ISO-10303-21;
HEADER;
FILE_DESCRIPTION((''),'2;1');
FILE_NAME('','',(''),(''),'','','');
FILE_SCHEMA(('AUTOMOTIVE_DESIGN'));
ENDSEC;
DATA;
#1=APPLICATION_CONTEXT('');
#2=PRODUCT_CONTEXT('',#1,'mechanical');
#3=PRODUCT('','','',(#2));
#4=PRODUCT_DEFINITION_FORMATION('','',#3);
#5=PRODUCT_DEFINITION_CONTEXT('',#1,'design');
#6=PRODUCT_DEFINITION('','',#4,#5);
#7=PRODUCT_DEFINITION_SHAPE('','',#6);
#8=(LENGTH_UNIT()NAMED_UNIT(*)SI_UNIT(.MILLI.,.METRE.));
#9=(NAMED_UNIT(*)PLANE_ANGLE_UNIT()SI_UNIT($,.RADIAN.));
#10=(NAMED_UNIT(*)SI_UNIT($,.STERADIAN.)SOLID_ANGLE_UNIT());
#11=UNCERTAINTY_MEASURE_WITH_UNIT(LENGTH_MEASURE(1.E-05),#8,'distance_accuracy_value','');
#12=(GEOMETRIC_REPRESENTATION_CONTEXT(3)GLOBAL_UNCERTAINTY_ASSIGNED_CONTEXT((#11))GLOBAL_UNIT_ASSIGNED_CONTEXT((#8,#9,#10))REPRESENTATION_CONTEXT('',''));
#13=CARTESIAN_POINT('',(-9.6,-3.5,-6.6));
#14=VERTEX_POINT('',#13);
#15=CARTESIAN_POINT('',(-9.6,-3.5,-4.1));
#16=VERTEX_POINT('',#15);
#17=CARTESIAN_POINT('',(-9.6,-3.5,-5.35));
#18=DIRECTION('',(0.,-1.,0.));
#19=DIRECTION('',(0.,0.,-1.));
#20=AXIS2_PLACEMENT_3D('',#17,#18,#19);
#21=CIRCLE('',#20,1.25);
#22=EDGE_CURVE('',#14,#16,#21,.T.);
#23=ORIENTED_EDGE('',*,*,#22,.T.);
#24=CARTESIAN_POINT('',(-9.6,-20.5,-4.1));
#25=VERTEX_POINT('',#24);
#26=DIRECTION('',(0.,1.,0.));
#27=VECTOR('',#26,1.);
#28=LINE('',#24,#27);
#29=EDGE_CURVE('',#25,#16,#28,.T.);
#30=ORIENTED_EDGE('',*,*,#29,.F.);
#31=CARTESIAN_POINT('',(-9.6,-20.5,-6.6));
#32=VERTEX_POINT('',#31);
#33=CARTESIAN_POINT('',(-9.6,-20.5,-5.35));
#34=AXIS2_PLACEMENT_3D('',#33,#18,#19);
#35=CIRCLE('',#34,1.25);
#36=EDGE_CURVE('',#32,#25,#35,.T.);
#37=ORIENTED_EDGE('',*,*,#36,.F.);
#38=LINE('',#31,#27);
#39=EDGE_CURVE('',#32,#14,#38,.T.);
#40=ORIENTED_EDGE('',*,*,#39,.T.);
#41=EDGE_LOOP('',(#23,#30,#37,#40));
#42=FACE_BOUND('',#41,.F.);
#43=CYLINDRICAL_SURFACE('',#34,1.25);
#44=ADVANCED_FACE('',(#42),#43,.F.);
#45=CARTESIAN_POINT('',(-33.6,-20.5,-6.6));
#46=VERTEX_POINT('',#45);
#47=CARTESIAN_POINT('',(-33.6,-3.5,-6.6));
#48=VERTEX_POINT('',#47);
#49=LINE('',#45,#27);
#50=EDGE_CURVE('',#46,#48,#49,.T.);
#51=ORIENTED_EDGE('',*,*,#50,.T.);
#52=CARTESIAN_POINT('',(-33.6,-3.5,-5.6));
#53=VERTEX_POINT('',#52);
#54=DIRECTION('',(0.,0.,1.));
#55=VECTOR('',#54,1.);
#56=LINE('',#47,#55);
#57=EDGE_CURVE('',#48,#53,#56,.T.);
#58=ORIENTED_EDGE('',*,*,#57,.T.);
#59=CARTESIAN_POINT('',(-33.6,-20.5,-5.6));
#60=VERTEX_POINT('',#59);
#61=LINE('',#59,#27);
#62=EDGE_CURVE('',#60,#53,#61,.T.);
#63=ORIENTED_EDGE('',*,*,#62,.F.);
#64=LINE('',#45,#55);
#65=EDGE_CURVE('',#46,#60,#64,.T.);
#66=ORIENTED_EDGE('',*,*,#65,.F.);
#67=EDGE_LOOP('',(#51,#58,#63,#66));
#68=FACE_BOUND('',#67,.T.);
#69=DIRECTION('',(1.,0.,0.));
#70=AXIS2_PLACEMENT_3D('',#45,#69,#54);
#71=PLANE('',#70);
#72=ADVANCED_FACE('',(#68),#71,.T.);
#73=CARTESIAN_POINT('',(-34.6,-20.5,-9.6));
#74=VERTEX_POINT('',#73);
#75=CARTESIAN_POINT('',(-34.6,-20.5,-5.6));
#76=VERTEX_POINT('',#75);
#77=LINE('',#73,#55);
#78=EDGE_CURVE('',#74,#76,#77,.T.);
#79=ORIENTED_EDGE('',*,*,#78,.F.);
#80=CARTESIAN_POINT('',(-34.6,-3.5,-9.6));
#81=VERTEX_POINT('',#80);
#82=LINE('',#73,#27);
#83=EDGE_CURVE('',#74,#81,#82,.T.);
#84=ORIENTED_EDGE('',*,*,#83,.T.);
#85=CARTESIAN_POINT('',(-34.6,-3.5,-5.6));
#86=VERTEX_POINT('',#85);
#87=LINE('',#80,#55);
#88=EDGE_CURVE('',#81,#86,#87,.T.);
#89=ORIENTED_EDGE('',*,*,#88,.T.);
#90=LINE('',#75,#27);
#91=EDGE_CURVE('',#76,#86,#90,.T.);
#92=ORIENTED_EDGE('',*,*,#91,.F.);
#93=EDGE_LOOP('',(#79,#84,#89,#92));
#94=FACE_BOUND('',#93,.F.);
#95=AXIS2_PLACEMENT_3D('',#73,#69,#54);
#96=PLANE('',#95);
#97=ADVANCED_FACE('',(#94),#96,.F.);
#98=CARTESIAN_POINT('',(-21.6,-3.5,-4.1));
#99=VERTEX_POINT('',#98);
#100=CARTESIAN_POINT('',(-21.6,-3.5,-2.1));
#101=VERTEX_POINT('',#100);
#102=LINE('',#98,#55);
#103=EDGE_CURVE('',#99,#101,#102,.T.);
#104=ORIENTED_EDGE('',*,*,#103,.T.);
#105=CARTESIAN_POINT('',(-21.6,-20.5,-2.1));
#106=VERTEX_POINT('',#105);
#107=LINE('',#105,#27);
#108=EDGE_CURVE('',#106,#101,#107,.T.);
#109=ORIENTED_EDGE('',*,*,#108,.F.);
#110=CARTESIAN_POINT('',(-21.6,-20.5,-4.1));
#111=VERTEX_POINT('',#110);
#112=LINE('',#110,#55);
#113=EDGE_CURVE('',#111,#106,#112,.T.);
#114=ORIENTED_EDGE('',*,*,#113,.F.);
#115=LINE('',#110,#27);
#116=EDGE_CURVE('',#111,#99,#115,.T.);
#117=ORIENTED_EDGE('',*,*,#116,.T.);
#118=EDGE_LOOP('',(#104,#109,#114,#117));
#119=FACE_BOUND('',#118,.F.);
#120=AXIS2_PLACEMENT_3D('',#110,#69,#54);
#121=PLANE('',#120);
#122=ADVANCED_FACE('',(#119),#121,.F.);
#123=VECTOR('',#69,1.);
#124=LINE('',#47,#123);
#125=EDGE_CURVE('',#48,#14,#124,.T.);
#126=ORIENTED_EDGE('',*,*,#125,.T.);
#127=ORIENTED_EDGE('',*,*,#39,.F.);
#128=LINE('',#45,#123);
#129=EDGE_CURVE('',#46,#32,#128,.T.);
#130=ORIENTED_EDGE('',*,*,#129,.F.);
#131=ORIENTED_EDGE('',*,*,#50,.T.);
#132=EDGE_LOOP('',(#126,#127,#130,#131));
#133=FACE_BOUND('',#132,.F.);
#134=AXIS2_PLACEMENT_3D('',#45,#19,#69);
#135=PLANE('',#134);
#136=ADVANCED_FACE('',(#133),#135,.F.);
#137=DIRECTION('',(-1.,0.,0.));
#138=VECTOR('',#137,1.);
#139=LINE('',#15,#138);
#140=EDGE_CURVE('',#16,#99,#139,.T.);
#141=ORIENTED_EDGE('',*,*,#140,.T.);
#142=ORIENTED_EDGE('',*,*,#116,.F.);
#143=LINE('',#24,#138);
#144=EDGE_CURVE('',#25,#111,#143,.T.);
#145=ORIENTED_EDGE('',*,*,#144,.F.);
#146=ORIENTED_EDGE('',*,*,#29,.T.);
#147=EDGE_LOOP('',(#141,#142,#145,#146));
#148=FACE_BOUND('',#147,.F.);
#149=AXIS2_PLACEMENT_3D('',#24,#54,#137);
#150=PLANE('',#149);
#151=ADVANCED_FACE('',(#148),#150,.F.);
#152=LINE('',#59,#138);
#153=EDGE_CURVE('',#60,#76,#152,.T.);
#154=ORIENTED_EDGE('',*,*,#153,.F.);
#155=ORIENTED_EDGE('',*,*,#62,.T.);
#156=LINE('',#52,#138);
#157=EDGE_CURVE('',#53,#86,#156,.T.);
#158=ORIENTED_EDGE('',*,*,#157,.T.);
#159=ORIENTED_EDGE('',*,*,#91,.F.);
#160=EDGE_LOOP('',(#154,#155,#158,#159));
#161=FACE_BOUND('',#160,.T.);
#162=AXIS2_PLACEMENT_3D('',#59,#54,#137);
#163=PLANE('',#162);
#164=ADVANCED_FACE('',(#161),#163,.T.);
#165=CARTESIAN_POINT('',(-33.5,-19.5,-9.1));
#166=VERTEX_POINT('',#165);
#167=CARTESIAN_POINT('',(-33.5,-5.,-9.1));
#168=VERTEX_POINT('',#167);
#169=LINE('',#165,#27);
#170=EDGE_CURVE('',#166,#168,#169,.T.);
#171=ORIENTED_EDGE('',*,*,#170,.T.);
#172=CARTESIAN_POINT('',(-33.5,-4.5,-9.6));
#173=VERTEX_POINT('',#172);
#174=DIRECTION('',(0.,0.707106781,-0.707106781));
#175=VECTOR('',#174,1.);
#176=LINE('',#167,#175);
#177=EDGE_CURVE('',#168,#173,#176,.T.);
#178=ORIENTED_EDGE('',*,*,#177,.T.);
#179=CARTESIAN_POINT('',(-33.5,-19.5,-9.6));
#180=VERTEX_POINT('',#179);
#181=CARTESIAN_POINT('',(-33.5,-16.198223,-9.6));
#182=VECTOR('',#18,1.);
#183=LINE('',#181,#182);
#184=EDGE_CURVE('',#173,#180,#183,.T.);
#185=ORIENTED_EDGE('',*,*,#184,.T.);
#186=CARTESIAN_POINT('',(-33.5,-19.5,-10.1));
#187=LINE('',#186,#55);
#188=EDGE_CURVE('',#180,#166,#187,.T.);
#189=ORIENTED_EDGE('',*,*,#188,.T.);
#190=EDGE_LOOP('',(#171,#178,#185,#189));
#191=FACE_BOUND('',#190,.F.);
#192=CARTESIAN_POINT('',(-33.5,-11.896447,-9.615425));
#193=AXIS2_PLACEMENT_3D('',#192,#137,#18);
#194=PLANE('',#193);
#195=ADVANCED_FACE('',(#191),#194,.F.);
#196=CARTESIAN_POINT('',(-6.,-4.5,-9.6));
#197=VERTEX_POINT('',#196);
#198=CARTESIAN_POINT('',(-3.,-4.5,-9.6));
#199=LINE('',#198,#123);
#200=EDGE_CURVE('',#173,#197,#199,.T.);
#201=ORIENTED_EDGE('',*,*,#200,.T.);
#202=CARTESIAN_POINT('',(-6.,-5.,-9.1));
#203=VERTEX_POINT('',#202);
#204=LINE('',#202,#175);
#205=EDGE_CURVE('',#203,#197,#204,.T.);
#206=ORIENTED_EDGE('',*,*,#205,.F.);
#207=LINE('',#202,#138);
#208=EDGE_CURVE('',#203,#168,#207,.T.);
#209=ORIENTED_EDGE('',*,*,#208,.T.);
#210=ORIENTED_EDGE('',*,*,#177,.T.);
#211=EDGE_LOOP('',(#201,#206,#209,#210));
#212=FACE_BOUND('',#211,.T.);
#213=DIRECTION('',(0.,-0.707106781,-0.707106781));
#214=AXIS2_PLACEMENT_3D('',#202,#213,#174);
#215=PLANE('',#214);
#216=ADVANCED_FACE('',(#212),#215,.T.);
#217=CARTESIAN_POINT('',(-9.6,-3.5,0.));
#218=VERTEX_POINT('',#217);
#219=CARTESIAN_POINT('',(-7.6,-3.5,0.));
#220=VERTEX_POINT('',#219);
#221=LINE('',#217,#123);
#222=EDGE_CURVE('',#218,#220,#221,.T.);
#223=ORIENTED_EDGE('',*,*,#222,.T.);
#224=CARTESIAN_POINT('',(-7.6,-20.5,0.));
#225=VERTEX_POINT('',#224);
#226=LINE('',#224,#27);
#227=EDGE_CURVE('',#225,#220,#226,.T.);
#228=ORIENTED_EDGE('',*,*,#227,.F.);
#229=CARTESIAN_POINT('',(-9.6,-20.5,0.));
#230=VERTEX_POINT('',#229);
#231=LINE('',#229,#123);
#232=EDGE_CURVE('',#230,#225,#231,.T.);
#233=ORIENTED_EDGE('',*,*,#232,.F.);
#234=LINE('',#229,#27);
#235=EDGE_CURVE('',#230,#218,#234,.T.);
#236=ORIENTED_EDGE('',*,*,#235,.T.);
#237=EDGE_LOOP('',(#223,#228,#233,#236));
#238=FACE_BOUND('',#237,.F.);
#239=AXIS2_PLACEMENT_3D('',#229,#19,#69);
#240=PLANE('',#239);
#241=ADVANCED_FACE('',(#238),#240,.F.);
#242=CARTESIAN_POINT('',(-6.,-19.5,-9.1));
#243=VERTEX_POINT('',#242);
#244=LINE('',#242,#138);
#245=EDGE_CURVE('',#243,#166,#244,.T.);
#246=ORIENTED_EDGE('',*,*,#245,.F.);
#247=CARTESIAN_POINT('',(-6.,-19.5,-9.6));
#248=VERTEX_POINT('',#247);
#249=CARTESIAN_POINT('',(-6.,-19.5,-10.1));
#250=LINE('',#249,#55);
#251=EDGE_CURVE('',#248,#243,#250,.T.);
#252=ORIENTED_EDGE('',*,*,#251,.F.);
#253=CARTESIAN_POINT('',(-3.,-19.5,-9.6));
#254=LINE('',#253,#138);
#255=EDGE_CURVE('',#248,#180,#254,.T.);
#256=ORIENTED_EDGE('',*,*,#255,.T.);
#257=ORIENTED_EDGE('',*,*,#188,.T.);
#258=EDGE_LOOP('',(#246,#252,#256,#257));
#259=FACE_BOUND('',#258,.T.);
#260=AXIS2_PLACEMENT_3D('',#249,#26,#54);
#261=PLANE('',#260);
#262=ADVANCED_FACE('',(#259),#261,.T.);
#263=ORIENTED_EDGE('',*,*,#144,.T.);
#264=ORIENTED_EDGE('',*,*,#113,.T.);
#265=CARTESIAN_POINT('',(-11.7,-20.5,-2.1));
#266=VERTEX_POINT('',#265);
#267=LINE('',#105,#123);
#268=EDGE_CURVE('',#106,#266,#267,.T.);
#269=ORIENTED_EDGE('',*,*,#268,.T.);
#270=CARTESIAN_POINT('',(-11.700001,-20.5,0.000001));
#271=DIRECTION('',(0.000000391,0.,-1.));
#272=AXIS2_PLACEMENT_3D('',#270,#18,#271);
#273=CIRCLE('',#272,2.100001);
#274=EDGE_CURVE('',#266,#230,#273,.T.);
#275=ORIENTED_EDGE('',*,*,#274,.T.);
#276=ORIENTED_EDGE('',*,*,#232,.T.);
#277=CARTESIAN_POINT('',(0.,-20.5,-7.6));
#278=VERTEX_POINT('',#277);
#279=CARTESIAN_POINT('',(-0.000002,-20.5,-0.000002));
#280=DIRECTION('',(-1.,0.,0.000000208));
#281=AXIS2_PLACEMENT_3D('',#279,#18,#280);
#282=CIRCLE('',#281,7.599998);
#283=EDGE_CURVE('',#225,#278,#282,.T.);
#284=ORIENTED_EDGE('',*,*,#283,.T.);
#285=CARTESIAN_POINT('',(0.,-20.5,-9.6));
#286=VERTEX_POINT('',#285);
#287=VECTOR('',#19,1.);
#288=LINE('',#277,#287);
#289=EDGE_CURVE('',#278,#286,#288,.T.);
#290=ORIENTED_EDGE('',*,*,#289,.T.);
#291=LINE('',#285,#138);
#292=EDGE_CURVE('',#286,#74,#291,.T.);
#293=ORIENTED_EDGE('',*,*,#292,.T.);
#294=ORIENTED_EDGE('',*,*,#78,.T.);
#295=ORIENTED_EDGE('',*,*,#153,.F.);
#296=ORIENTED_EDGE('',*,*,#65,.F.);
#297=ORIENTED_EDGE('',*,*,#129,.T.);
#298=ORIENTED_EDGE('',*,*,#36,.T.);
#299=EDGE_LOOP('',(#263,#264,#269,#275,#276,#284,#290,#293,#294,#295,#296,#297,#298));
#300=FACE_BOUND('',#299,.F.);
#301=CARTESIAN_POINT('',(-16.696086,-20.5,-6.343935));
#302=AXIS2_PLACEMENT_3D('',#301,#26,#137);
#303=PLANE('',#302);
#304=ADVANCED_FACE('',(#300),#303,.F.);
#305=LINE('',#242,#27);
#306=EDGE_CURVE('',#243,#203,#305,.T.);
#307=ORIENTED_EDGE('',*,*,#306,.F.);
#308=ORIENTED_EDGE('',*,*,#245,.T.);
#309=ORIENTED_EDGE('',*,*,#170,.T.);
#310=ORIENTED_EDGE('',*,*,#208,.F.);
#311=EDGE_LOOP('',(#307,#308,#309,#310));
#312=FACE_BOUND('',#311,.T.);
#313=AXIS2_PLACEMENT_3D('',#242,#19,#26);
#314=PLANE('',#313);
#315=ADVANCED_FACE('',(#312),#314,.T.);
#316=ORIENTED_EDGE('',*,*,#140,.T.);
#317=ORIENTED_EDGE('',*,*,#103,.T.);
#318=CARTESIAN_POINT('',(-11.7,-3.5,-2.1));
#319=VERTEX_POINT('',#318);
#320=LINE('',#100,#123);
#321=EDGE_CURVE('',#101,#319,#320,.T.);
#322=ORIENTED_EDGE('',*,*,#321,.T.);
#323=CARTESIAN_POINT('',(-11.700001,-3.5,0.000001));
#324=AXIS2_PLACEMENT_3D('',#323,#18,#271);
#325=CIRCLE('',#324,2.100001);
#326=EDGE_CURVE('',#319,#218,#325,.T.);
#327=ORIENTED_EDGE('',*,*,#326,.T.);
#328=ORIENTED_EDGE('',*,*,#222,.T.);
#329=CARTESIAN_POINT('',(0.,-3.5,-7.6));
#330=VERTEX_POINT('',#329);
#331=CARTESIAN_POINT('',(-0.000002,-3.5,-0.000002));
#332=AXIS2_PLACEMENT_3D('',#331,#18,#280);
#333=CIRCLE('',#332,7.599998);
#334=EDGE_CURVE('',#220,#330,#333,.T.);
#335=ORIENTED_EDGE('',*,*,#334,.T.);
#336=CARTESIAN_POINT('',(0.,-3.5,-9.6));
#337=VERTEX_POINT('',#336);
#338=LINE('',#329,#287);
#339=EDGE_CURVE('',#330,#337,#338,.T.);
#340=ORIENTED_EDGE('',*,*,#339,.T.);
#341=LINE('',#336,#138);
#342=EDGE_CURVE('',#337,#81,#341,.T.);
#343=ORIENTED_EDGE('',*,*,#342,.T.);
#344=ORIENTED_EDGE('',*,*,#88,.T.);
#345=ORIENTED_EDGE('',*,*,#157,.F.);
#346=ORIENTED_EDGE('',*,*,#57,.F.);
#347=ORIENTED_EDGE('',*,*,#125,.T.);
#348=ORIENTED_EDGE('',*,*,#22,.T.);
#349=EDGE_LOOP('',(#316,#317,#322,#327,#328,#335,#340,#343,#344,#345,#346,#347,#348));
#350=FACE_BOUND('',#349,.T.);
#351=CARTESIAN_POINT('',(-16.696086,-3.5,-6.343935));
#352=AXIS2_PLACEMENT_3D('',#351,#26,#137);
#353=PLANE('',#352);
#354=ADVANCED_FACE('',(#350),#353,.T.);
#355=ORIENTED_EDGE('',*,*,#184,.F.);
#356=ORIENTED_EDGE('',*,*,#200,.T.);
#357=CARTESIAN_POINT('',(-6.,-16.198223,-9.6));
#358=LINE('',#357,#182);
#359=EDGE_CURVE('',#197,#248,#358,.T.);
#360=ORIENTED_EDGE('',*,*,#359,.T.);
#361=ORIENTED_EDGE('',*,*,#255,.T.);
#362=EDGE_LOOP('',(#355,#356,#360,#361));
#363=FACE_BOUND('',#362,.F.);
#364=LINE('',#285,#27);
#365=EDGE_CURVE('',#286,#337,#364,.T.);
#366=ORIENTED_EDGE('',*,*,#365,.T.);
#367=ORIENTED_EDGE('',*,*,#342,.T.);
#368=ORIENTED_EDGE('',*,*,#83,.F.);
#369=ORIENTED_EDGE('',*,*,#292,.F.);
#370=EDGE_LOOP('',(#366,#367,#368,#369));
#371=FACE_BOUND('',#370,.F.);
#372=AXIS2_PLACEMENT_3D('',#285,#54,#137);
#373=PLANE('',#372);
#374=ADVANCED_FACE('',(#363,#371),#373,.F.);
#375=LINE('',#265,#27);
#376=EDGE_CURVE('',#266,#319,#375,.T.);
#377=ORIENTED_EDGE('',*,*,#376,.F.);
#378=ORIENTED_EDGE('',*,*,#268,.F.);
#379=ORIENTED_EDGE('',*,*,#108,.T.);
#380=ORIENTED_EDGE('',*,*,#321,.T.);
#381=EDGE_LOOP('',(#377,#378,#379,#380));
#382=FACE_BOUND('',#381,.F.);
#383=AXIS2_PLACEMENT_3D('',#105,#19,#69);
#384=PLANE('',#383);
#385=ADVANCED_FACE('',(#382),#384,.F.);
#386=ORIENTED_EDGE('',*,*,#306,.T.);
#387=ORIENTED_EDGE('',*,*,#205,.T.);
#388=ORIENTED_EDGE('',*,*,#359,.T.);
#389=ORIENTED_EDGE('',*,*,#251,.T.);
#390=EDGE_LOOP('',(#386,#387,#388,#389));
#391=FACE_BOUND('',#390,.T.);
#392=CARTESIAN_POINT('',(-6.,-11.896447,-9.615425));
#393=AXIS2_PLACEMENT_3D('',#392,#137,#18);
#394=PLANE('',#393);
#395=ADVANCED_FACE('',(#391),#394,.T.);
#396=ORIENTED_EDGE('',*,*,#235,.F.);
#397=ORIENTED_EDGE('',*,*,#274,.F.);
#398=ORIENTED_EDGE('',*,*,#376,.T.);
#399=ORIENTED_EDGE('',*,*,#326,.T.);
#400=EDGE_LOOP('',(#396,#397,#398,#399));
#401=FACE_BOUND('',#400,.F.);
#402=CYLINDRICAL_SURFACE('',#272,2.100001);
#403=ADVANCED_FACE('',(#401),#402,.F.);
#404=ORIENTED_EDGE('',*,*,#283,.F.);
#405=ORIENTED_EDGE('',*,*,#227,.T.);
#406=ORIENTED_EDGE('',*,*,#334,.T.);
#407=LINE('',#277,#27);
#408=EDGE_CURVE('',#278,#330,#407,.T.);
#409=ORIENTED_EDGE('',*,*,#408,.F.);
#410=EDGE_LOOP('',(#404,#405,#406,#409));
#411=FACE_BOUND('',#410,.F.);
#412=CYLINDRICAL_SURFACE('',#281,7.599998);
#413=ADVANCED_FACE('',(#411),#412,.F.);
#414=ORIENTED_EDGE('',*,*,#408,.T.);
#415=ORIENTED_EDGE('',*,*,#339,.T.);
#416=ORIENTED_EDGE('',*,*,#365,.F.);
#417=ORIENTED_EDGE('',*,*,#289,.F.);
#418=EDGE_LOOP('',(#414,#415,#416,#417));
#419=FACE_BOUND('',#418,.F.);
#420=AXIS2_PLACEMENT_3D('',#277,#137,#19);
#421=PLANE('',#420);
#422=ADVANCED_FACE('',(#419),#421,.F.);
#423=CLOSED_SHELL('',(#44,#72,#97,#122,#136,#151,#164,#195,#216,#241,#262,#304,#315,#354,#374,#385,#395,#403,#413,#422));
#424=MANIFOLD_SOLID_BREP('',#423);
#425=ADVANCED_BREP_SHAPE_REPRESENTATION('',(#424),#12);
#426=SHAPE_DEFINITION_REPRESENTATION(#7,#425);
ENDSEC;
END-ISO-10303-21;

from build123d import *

# Parameters (mm, degrees)
EXTRUDE015_DEPTH = 27.5
EXTRUDE_DEPTH    = 17


with BuildPart() as extrude015:
    # Sketch020 → Extrude015 (new body)
    with BuildSketch(Plane(origin=(-6, 0, 0), x_dir=(0, -1, 0), z_dir=(-1, 0, 0))):
        Polygon((19.5, -10.1), (19.5, -9.1), (5, -9.1), (4, -10.1), align=None)
    extrude(amount=EXTRUDE015_DEPTH)


with BuildPart() as cut006:
    # Sketch001 → Extrude (new body)
    with BuildSketch(Plane.XZ.offset(25)):
        with BuildLine():
            ThreePointArc((-7.6, 0), (-5.374012, -5.374012), (0, -7.6))
            Line((0, -7.6), (0, -9.6))
            Line((0, -9.6), (-34.6, -9.6))
            Line((-34.6, -9.6), (-34.6, -5.6))
            Line((-33.6, -5.6), (-34.6, -5.6))
            Line((-33.6, -6.6), (-33.6, -5.6))
            Line((-33.6, -6.6), (-9.6, -6.6))
            ThreePointArc((-9.6, -6.6), (-8.35, -5.35), (-9.6, -4.1))
            Line((-9.6, -4.1), (-21.6, -4.1))
            Line((-21.6, -4.1), (-21.6, -2.1))
            Line((-21.6, -2.1), (-11.7, -2.1))
            ThreePointArc((-11.7, -2.1), (-10.215076, -1.484924), (-9.6, 0))
            Line((-9.6, 0), (-7.6, 0))
        make_face()
    extrude(amount=-EXTRUDE_DEPTH)


with BuildPart() as cut006_1:
    # Extrude placement: moved
    add(cut006.part.moved(Location((0, 4.5, 0))))

    # Cut006: cut Extrude015
    add(extrude015.part, mode=Mode.SUBTRACT)


solid = cut006_1.part
